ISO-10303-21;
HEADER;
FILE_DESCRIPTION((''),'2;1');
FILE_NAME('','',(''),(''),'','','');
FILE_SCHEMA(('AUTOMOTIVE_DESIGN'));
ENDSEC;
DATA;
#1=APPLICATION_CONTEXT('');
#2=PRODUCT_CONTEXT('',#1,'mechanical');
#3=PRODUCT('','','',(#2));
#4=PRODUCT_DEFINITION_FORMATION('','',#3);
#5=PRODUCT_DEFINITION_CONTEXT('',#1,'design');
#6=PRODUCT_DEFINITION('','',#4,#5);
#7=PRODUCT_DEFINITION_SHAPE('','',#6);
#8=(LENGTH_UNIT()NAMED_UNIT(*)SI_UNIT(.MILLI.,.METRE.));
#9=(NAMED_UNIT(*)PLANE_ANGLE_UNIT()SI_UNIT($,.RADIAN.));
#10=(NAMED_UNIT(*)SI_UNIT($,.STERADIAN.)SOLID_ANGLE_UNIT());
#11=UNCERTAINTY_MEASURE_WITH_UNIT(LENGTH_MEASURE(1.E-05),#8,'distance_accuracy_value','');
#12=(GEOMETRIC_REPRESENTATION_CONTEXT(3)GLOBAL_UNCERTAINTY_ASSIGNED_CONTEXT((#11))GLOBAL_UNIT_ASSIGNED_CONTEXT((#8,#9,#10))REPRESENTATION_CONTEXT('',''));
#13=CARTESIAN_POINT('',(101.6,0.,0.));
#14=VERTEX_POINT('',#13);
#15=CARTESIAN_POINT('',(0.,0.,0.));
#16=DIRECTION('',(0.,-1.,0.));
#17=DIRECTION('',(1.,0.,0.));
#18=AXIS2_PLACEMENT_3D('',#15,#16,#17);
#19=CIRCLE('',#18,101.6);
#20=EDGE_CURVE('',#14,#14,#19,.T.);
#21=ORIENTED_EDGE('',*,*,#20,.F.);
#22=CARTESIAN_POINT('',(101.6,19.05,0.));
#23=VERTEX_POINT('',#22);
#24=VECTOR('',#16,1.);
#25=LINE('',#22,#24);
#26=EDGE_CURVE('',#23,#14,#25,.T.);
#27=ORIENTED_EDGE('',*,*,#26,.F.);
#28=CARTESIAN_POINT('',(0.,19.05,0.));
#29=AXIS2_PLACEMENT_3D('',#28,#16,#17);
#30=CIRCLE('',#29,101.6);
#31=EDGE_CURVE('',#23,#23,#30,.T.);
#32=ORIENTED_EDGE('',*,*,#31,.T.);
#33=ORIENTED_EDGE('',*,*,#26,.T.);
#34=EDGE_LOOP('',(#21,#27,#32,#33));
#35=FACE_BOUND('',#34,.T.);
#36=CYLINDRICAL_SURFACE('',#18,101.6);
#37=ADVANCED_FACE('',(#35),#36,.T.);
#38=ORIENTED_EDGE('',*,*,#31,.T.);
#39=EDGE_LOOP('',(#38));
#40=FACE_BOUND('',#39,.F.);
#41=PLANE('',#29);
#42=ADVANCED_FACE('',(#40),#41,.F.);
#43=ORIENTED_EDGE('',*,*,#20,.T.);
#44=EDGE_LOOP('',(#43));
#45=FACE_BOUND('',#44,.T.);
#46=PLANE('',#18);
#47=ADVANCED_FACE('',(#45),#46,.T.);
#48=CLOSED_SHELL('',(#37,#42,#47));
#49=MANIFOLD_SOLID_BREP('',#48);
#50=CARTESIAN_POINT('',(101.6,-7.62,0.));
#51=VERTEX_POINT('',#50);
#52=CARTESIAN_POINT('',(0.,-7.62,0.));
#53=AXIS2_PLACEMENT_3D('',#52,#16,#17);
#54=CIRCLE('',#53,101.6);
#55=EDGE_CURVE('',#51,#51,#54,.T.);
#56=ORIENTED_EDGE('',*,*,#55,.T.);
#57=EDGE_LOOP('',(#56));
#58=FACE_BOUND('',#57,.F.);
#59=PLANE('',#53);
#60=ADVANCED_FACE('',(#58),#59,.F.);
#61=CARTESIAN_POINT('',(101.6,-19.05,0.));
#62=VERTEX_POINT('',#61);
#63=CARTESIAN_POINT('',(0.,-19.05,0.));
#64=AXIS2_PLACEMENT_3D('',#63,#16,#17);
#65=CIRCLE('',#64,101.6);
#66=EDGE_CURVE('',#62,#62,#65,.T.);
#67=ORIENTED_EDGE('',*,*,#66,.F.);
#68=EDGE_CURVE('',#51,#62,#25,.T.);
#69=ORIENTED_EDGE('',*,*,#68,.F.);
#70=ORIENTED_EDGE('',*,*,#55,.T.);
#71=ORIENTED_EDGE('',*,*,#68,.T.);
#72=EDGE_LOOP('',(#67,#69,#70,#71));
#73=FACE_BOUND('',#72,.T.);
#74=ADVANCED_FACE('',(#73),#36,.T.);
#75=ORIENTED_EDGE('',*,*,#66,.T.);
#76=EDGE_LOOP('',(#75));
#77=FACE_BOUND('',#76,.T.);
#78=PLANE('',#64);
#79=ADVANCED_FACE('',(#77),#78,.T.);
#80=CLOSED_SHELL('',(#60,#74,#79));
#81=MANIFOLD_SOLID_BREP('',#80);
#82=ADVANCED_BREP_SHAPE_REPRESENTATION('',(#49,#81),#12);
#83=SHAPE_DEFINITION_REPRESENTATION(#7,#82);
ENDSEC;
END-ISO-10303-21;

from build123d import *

# Parameters (mm, degrees)
F0_R     = 101.6
F1_DEPTH = 19.05
F2_R     = 101.6
F3_DEPTH = 7.62


with BuildPart() as f1:
    # F0 (on Front) → F1 (new body, symmetric)
    with BuildSketch(Plane.XZ):
        Circle(F0_R)
    extrude(amount=F1_DEPTH, both=True)

    # F2 (on Front) → F3 (cut)
    with BuildSketch(Plane.XZ):
        Circle(F2_R)
    extrude(amount=F3_DEPTH, mode=Mode.SUBTRACT)


solid = f1.part
